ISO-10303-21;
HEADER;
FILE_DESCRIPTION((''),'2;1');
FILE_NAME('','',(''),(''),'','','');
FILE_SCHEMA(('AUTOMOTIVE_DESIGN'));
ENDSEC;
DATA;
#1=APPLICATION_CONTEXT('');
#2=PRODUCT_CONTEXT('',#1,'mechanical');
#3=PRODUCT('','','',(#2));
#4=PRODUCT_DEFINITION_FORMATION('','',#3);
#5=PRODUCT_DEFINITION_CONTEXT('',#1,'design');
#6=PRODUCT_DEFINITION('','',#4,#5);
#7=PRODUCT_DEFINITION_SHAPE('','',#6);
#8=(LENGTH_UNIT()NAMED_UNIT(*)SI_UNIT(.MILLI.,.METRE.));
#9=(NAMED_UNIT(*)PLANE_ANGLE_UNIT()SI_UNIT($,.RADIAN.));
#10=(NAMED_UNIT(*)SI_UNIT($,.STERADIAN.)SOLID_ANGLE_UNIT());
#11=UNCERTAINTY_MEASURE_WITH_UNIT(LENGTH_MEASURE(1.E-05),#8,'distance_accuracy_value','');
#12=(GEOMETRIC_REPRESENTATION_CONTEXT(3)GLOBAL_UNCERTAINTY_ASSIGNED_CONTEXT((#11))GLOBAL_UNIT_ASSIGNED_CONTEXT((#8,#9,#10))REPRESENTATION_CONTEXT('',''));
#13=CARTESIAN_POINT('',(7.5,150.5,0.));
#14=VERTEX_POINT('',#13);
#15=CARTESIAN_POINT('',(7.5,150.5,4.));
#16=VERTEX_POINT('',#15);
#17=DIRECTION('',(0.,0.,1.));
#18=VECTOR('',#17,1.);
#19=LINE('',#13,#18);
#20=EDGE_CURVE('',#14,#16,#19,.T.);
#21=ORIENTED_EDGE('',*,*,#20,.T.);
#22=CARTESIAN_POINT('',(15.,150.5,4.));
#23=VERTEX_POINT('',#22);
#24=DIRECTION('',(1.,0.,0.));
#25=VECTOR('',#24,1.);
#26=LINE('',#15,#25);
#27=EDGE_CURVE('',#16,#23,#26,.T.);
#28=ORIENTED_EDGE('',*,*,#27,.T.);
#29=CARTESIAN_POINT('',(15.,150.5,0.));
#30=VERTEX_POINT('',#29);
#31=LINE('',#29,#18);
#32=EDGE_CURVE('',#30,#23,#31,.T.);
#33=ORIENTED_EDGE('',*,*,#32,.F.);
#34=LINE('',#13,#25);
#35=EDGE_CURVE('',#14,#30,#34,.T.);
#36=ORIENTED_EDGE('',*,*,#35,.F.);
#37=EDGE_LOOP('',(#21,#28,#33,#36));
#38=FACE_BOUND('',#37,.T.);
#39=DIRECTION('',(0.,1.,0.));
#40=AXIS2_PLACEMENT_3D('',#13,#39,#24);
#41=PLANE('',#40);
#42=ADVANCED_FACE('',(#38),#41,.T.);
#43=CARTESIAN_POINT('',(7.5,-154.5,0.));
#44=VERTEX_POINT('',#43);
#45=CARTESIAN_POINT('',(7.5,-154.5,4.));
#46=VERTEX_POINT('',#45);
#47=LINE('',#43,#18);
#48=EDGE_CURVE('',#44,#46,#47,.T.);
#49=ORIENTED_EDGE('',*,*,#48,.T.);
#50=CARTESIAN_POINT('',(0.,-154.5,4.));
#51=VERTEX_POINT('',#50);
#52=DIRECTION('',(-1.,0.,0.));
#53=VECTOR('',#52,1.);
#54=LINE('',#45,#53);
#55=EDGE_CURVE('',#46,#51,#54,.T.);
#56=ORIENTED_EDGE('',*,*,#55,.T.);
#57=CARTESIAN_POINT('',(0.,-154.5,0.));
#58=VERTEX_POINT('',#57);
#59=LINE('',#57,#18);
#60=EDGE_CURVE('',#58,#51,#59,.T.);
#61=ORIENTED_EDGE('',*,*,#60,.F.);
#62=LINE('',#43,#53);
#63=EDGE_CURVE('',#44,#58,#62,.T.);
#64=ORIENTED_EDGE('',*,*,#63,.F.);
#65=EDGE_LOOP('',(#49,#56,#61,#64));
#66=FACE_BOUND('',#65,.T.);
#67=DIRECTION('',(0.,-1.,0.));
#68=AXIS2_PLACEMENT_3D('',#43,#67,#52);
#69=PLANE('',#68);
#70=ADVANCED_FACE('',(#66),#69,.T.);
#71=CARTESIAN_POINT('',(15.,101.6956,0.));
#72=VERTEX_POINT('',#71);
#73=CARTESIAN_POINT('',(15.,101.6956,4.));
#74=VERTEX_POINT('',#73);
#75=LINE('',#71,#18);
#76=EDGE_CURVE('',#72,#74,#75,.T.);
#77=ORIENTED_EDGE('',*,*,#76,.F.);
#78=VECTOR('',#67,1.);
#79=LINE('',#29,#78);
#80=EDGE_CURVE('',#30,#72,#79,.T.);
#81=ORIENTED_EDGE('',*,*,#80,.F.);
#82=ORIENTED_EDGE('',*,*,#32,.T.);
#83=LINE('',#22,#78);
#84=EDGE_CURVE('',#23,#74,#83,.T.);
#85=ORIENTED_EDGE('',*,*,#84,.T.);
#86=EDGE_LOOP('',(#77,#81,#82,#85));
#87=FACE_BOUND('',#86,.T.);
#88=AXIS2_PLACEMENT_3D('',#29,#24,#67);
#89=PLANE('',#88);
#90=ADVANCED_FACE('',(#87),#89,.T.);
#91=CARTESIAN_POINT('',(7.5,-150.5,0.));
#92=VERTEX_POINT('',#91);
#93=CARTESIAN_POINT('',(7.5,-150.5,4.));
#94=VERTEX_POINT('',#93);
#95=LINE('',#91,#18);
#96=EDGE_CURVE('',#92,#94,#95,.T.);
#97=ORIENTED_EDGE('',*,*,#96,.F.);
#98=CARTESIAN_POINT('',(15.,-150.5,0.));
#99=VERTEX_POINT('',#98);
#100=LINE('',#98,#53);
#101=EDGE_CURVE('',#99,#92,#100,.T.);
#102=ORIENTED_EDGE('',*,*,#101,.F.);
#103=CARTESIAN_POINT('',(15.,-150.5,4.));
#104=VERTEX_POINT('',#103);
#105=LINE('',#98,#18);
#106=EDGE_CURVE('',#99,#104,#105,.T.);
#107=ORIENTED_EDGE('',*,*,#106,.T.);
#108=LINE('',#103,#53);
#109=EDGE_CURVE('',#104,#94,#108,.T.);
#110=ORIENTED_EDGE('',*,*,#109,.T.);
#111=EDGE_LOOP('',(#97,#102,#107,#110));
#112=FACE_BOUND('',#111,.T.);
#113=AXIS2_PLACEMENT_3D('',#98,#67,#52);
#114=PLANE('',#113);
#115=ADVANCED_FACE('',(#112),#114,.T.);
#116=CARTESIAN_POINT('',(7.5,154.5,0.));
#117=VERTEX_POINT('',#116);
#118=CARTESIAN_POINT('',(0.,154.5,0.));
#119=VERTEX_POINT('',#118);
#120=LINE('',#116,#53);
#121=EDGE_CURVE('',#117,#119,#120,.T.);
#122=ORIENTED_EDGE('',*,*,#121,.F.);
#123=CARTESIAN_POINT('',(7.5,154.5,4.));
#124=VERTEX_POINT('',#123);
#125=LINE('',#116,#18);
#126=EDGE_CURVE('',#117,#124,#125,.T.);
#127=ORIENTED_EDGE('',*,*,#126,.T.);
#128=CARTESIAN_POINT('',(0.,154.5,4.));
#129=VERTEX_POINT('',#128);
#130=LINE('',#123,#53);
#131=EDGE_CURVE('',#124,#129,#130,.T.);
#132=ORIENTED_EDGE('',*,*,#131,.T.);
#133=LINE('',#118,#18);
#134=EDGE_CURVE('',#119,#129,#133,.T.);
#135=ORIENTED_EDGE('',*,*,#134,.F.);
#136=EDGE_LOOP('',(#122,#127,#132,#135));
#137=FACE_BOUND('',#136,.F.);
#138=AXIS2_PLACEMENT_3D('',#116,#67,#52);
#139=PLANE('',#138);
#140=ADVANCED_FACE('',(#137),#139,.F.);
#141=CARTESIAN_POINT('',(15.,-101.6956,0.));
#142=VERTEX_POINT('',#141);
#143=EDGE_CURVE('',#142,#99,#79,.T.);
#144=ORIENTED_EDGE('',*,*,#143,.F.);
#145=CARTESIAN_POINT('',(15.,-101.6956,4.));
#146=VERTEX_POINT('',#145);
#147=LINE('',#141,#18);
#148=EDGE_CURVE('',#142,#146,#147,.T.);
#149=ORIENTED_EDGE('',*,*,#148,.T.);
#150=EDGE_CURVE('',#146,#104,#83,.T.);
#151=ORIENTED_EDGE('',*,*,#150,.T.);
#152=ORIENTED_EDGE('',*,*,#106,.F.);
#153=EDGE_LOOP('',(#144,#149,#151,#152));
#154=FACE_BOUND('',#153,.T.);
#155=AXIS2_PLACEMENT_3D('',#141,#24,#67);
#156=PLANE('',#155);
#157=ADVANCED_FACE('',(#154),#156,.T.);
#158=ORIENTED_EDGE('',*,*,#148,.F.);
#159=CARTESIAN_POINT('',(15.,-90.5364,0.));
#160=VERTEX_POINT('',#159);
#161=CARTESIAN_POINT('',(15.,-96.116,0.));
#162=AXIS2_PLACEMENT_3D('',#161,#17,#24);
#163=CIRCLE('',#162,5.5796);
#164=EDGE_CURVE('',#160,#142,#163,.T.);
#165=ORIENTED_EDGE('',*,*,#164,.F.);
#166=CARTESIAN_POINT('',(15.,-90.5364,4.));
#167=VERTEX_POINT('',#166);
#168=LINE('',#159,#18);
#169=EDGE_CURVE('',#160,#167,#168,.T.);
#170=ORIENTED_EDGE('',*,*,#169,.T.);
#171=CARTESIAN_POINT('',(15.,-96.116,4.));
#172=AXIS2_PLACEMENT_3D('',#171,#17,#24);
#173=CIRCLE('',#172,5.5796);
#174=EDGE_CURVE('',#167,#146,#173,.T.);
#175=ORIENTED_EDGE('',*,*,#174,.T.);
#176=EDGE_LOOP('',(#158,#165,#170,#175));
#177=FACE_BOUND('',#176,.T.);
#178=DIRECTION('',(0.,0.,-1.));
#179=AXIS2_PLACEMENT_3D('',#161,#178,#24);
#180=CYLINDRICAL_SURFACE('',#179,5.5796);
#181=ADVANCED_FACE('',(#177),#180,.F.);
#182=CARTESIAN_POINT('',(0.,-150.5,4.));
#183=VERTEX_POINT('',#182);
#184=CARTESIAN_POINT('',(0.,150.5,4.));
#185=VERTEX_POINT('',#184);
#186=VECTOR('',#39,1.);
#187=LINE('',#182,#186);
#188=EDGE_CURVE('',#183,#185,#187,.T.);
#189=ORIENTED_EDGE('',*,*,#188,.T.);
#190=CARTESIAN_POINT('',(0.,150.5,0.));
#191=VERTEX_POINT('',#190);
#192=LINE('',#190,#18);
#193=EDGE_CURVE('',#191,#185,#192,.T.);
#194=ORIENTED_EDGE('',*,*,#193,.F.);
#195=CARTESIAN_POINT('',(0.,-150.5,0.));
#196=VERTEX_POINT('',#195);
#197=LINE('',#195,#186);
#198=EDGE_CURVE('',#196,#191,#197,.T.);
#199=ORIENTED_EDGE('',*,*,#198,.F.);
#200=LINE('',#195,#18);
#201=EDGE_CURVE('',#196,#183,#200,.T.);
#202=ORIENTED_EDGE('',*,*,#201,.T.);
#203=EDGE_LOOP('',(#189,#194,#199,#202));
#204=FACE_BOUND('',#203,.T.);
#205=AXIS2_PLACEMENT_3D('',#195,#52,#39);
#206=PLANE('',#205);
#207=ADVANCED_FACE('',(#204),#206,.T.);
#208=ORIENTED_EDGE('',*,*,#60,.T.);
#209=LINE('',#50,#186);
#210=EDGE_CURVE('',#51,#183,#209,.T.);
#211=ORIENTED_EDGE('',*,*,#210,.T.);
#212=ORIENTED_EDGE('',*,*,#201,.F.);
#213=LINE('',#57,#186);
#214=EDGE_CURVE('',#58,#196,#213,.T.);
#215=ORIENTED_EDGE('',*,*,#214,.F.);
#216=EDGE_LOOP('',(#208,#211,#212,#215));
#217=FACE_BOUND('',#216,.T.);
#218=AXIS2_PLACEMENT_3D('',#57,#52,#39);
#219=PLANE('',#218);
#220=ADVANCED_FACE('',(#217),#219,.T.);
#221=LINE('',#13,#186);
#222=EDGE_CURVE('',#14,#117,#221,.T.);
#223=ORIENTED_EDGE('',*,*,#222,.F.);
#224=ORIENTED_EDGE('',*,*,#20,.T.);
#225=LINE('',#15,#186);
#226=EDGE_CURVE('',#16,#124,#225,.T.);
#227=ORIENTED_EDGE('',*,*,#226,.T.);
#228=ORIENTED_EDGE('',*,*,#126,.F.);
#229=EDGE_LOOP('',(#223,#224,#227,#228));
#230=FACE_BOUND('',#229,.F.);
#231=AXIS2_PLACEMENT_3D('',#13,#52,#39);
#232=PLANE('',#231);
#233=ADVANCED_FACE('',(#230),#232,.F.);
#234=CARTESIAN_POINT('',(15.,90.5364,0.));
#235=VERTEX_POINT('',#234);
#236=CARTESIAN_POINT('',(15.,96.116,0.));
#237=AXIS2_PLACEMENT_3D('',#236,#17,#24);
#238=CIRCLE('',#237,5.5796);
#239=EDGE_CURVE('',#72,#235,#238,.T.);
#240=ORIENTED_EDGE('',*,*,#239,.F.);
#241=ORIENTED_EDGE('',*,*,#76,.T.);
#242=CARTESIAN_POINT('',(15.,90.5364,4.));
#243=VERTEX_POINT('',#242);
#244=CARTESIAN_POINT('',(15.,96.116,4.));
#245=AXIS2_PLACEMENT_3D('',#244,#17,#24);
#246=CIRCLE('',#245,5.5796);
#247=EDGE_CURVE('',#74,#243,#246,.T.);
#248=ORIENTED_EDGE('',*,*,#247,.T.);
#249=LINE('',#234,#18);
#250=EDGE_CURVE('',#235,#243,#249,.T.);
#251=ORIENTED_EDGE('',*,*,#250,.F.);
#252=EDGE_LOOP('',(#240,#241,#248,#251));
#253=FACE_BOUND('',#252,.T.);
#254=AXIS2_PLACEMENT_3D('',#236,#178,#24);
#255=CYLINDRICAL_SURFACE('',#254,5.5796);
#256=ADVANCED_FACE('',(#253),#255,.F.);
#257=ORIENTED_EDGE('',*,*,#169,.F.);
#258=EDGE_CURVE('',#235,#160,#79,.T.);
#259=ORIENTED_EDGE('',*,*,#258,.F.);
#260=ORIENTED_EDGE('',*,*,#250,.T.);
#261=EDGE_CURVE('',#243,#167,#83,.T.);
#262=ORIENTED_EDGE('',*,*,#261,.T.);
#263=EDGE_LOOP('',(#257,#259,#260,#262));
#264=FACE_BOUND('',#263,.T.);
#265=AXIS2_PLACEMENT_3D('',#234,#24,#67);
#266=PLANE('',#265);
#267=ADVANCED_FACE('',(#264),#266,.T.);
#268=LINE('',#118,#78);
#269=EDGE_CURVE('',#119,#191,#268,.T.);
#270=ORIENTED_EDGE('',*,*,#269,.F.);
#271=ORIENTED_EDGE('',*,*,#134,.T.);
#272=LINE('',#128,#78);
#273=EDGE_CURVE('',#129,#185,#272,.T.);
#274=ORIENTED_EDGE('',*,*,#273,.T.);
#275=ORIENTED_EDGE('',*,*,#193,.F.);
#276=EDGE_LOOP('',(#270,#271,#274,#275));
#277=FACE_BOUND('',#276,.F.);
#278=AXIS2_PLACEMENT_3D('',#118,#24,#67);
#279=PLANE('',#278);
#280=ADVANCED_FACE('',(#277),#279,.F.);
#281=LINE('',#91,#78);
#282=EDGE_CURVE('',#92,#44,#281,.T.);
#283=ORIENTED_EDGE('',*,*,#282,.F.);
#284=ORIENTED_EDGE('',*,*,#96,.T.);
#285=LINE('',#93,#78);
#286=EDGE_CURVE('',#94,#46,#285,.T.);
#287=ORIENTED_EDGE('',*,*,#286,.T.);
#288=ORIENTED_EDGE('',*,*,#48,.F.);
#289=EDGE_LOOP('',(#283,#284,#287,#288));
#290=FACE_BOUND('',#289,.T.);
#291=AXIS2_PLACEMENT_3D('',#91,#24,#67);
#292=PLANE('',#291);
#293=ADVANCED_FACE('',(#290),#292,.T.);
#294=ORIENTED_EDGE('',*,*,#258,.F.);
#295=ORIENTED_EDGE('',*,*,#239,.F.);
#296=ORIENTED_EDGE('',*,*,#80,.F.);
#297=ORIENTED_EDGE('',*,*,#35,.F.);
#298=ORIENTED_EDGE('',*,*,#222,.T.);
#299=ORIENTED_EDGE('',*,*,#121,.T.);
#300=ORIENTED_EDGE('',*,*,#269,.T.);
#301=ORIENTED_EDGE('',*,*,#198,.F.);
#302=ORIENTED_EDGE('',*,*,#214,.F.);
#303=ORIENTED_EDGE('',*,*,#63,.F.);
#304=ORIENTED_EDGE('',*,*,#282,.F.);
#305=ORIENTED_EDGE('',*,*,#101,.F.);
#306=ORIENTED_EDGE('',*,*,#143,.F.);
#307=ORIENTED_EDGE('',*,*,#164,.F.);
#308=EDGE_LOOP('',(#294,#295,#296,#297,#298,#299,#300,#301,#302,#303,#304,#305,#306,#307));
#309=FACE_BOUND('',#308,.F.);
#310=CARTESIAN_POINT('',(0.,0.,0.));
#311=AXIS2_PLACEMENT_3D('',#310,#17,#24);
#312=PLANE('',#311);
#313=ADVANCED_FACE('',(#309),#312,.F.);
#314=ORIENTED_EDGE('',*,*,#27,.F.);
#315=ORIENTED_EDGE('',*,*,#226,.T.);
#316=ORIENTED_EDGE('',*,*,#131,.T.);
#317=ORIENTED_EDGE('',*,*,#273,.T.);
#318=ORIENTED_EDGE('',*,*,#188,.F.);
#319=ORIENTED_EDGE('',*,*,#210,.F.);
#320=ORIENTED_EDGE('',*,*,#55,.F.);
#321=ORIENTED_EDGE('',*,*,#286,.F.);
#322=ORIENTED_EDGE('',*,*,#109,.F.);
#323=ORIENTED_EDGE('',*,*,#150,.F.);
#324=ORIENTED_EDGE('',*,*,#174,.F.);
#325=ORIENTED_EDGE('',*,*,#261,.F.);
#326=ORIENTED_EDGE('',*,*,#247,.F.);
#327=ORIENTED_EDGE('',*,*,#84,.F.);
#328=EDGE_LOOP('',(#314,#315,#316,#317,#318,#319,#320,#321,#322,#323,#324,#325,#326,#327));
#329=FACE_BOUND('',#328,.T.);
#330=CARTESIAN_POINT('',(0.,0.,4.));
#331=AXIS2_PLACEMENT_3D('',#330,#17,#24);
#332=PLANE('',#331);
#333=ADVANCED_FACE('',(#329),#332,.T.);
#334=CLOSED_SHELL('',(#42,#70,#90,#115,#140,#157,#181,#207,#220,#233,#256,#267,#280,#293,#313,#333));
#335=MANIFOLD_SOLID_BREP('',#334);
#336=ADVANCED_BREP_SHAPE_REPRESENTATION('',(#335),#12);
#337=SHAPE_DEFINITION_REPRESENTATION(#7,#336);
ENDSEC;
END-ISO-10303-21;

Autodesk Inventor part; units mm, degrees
ref_plane "YZ Plane" through (0, 0, 0) normal (1, 0, 0) x (0, 1, 0)
ref_plane "XZ Plane" through (0, 0, 0) normal (0, 1, 0) x (-1, 0, 0)
ref_plane "XY Plane" through (0, 0, 0) normal (0, 0, 1) x (1, 0, 0)
sketch "Sketch1" plane through (0, 0, 0) normal (0, 0, 1) x (1, 0, 0)
  line L0 (0, 150.5) -> (7.5, 150.5) construction
  line L1 (15, 150.5) -> (15, -150.5)
  line L2 (15, -150.5) -> (7.5, -150.5)
  line L3 (0, -150.5) -> (0, 150.5)
  line L4 (0, 150.5) -> (7.5, 150.5) construction
  line L5 (7.5, 150.5) -> (7.5, 154.5)
  line L6 (7.5, 154.5) -> (0, 154.5)
  line L7 (0, 154.5) -> (0, 150.5)
  line L8 (0, -150.5) -> (7.5, -150.5) construction
  line L9 (7.5, -150.5) -> (7.5, -154.5)
  line L10 (7.5, -154.5) -> (0, -154.5)
  line L11 (0, -154.5) -> (0, -150.5)
  line L12 (7.5, -150.5) -> (0, -150.5) construction
  line L13 (7.5, 150.5) -> (15, 150.5)
  circle A0 centre (15, 96.116) radius 5.5796
  circle A1 centre (15, -96.116) radius 5.5796
  line L14 (-4.1159, 0) -> (24.6955, 0) construction
  point P0 (0, 0)
  point P1 (0, 0)
  point P2 (3.75, 150.5)
  point P3 (0, 0)
  point P4 (15, -101.6955)
  point P5 (15, -90.5364)
  point P6 (15, 90.5364)
  point P7 (15, 101.6955)
  dimension "d0" = 301
  dimension "d1" = 15
  dimension "d2" = 4
  dimension "d3" = 7.5
  dimension "d4" = 4
  dimension "d5" = 7.5
  dimension "d6" = 150.5
extrude "Extrusion1" add sketch "Sketch1" along normal blind 4 contours L1 A0 A1 L2 L9 L10 L11 L3 L7 L6 L5 L13
properties part number "ReedRail" material "Wood (Oak)"
